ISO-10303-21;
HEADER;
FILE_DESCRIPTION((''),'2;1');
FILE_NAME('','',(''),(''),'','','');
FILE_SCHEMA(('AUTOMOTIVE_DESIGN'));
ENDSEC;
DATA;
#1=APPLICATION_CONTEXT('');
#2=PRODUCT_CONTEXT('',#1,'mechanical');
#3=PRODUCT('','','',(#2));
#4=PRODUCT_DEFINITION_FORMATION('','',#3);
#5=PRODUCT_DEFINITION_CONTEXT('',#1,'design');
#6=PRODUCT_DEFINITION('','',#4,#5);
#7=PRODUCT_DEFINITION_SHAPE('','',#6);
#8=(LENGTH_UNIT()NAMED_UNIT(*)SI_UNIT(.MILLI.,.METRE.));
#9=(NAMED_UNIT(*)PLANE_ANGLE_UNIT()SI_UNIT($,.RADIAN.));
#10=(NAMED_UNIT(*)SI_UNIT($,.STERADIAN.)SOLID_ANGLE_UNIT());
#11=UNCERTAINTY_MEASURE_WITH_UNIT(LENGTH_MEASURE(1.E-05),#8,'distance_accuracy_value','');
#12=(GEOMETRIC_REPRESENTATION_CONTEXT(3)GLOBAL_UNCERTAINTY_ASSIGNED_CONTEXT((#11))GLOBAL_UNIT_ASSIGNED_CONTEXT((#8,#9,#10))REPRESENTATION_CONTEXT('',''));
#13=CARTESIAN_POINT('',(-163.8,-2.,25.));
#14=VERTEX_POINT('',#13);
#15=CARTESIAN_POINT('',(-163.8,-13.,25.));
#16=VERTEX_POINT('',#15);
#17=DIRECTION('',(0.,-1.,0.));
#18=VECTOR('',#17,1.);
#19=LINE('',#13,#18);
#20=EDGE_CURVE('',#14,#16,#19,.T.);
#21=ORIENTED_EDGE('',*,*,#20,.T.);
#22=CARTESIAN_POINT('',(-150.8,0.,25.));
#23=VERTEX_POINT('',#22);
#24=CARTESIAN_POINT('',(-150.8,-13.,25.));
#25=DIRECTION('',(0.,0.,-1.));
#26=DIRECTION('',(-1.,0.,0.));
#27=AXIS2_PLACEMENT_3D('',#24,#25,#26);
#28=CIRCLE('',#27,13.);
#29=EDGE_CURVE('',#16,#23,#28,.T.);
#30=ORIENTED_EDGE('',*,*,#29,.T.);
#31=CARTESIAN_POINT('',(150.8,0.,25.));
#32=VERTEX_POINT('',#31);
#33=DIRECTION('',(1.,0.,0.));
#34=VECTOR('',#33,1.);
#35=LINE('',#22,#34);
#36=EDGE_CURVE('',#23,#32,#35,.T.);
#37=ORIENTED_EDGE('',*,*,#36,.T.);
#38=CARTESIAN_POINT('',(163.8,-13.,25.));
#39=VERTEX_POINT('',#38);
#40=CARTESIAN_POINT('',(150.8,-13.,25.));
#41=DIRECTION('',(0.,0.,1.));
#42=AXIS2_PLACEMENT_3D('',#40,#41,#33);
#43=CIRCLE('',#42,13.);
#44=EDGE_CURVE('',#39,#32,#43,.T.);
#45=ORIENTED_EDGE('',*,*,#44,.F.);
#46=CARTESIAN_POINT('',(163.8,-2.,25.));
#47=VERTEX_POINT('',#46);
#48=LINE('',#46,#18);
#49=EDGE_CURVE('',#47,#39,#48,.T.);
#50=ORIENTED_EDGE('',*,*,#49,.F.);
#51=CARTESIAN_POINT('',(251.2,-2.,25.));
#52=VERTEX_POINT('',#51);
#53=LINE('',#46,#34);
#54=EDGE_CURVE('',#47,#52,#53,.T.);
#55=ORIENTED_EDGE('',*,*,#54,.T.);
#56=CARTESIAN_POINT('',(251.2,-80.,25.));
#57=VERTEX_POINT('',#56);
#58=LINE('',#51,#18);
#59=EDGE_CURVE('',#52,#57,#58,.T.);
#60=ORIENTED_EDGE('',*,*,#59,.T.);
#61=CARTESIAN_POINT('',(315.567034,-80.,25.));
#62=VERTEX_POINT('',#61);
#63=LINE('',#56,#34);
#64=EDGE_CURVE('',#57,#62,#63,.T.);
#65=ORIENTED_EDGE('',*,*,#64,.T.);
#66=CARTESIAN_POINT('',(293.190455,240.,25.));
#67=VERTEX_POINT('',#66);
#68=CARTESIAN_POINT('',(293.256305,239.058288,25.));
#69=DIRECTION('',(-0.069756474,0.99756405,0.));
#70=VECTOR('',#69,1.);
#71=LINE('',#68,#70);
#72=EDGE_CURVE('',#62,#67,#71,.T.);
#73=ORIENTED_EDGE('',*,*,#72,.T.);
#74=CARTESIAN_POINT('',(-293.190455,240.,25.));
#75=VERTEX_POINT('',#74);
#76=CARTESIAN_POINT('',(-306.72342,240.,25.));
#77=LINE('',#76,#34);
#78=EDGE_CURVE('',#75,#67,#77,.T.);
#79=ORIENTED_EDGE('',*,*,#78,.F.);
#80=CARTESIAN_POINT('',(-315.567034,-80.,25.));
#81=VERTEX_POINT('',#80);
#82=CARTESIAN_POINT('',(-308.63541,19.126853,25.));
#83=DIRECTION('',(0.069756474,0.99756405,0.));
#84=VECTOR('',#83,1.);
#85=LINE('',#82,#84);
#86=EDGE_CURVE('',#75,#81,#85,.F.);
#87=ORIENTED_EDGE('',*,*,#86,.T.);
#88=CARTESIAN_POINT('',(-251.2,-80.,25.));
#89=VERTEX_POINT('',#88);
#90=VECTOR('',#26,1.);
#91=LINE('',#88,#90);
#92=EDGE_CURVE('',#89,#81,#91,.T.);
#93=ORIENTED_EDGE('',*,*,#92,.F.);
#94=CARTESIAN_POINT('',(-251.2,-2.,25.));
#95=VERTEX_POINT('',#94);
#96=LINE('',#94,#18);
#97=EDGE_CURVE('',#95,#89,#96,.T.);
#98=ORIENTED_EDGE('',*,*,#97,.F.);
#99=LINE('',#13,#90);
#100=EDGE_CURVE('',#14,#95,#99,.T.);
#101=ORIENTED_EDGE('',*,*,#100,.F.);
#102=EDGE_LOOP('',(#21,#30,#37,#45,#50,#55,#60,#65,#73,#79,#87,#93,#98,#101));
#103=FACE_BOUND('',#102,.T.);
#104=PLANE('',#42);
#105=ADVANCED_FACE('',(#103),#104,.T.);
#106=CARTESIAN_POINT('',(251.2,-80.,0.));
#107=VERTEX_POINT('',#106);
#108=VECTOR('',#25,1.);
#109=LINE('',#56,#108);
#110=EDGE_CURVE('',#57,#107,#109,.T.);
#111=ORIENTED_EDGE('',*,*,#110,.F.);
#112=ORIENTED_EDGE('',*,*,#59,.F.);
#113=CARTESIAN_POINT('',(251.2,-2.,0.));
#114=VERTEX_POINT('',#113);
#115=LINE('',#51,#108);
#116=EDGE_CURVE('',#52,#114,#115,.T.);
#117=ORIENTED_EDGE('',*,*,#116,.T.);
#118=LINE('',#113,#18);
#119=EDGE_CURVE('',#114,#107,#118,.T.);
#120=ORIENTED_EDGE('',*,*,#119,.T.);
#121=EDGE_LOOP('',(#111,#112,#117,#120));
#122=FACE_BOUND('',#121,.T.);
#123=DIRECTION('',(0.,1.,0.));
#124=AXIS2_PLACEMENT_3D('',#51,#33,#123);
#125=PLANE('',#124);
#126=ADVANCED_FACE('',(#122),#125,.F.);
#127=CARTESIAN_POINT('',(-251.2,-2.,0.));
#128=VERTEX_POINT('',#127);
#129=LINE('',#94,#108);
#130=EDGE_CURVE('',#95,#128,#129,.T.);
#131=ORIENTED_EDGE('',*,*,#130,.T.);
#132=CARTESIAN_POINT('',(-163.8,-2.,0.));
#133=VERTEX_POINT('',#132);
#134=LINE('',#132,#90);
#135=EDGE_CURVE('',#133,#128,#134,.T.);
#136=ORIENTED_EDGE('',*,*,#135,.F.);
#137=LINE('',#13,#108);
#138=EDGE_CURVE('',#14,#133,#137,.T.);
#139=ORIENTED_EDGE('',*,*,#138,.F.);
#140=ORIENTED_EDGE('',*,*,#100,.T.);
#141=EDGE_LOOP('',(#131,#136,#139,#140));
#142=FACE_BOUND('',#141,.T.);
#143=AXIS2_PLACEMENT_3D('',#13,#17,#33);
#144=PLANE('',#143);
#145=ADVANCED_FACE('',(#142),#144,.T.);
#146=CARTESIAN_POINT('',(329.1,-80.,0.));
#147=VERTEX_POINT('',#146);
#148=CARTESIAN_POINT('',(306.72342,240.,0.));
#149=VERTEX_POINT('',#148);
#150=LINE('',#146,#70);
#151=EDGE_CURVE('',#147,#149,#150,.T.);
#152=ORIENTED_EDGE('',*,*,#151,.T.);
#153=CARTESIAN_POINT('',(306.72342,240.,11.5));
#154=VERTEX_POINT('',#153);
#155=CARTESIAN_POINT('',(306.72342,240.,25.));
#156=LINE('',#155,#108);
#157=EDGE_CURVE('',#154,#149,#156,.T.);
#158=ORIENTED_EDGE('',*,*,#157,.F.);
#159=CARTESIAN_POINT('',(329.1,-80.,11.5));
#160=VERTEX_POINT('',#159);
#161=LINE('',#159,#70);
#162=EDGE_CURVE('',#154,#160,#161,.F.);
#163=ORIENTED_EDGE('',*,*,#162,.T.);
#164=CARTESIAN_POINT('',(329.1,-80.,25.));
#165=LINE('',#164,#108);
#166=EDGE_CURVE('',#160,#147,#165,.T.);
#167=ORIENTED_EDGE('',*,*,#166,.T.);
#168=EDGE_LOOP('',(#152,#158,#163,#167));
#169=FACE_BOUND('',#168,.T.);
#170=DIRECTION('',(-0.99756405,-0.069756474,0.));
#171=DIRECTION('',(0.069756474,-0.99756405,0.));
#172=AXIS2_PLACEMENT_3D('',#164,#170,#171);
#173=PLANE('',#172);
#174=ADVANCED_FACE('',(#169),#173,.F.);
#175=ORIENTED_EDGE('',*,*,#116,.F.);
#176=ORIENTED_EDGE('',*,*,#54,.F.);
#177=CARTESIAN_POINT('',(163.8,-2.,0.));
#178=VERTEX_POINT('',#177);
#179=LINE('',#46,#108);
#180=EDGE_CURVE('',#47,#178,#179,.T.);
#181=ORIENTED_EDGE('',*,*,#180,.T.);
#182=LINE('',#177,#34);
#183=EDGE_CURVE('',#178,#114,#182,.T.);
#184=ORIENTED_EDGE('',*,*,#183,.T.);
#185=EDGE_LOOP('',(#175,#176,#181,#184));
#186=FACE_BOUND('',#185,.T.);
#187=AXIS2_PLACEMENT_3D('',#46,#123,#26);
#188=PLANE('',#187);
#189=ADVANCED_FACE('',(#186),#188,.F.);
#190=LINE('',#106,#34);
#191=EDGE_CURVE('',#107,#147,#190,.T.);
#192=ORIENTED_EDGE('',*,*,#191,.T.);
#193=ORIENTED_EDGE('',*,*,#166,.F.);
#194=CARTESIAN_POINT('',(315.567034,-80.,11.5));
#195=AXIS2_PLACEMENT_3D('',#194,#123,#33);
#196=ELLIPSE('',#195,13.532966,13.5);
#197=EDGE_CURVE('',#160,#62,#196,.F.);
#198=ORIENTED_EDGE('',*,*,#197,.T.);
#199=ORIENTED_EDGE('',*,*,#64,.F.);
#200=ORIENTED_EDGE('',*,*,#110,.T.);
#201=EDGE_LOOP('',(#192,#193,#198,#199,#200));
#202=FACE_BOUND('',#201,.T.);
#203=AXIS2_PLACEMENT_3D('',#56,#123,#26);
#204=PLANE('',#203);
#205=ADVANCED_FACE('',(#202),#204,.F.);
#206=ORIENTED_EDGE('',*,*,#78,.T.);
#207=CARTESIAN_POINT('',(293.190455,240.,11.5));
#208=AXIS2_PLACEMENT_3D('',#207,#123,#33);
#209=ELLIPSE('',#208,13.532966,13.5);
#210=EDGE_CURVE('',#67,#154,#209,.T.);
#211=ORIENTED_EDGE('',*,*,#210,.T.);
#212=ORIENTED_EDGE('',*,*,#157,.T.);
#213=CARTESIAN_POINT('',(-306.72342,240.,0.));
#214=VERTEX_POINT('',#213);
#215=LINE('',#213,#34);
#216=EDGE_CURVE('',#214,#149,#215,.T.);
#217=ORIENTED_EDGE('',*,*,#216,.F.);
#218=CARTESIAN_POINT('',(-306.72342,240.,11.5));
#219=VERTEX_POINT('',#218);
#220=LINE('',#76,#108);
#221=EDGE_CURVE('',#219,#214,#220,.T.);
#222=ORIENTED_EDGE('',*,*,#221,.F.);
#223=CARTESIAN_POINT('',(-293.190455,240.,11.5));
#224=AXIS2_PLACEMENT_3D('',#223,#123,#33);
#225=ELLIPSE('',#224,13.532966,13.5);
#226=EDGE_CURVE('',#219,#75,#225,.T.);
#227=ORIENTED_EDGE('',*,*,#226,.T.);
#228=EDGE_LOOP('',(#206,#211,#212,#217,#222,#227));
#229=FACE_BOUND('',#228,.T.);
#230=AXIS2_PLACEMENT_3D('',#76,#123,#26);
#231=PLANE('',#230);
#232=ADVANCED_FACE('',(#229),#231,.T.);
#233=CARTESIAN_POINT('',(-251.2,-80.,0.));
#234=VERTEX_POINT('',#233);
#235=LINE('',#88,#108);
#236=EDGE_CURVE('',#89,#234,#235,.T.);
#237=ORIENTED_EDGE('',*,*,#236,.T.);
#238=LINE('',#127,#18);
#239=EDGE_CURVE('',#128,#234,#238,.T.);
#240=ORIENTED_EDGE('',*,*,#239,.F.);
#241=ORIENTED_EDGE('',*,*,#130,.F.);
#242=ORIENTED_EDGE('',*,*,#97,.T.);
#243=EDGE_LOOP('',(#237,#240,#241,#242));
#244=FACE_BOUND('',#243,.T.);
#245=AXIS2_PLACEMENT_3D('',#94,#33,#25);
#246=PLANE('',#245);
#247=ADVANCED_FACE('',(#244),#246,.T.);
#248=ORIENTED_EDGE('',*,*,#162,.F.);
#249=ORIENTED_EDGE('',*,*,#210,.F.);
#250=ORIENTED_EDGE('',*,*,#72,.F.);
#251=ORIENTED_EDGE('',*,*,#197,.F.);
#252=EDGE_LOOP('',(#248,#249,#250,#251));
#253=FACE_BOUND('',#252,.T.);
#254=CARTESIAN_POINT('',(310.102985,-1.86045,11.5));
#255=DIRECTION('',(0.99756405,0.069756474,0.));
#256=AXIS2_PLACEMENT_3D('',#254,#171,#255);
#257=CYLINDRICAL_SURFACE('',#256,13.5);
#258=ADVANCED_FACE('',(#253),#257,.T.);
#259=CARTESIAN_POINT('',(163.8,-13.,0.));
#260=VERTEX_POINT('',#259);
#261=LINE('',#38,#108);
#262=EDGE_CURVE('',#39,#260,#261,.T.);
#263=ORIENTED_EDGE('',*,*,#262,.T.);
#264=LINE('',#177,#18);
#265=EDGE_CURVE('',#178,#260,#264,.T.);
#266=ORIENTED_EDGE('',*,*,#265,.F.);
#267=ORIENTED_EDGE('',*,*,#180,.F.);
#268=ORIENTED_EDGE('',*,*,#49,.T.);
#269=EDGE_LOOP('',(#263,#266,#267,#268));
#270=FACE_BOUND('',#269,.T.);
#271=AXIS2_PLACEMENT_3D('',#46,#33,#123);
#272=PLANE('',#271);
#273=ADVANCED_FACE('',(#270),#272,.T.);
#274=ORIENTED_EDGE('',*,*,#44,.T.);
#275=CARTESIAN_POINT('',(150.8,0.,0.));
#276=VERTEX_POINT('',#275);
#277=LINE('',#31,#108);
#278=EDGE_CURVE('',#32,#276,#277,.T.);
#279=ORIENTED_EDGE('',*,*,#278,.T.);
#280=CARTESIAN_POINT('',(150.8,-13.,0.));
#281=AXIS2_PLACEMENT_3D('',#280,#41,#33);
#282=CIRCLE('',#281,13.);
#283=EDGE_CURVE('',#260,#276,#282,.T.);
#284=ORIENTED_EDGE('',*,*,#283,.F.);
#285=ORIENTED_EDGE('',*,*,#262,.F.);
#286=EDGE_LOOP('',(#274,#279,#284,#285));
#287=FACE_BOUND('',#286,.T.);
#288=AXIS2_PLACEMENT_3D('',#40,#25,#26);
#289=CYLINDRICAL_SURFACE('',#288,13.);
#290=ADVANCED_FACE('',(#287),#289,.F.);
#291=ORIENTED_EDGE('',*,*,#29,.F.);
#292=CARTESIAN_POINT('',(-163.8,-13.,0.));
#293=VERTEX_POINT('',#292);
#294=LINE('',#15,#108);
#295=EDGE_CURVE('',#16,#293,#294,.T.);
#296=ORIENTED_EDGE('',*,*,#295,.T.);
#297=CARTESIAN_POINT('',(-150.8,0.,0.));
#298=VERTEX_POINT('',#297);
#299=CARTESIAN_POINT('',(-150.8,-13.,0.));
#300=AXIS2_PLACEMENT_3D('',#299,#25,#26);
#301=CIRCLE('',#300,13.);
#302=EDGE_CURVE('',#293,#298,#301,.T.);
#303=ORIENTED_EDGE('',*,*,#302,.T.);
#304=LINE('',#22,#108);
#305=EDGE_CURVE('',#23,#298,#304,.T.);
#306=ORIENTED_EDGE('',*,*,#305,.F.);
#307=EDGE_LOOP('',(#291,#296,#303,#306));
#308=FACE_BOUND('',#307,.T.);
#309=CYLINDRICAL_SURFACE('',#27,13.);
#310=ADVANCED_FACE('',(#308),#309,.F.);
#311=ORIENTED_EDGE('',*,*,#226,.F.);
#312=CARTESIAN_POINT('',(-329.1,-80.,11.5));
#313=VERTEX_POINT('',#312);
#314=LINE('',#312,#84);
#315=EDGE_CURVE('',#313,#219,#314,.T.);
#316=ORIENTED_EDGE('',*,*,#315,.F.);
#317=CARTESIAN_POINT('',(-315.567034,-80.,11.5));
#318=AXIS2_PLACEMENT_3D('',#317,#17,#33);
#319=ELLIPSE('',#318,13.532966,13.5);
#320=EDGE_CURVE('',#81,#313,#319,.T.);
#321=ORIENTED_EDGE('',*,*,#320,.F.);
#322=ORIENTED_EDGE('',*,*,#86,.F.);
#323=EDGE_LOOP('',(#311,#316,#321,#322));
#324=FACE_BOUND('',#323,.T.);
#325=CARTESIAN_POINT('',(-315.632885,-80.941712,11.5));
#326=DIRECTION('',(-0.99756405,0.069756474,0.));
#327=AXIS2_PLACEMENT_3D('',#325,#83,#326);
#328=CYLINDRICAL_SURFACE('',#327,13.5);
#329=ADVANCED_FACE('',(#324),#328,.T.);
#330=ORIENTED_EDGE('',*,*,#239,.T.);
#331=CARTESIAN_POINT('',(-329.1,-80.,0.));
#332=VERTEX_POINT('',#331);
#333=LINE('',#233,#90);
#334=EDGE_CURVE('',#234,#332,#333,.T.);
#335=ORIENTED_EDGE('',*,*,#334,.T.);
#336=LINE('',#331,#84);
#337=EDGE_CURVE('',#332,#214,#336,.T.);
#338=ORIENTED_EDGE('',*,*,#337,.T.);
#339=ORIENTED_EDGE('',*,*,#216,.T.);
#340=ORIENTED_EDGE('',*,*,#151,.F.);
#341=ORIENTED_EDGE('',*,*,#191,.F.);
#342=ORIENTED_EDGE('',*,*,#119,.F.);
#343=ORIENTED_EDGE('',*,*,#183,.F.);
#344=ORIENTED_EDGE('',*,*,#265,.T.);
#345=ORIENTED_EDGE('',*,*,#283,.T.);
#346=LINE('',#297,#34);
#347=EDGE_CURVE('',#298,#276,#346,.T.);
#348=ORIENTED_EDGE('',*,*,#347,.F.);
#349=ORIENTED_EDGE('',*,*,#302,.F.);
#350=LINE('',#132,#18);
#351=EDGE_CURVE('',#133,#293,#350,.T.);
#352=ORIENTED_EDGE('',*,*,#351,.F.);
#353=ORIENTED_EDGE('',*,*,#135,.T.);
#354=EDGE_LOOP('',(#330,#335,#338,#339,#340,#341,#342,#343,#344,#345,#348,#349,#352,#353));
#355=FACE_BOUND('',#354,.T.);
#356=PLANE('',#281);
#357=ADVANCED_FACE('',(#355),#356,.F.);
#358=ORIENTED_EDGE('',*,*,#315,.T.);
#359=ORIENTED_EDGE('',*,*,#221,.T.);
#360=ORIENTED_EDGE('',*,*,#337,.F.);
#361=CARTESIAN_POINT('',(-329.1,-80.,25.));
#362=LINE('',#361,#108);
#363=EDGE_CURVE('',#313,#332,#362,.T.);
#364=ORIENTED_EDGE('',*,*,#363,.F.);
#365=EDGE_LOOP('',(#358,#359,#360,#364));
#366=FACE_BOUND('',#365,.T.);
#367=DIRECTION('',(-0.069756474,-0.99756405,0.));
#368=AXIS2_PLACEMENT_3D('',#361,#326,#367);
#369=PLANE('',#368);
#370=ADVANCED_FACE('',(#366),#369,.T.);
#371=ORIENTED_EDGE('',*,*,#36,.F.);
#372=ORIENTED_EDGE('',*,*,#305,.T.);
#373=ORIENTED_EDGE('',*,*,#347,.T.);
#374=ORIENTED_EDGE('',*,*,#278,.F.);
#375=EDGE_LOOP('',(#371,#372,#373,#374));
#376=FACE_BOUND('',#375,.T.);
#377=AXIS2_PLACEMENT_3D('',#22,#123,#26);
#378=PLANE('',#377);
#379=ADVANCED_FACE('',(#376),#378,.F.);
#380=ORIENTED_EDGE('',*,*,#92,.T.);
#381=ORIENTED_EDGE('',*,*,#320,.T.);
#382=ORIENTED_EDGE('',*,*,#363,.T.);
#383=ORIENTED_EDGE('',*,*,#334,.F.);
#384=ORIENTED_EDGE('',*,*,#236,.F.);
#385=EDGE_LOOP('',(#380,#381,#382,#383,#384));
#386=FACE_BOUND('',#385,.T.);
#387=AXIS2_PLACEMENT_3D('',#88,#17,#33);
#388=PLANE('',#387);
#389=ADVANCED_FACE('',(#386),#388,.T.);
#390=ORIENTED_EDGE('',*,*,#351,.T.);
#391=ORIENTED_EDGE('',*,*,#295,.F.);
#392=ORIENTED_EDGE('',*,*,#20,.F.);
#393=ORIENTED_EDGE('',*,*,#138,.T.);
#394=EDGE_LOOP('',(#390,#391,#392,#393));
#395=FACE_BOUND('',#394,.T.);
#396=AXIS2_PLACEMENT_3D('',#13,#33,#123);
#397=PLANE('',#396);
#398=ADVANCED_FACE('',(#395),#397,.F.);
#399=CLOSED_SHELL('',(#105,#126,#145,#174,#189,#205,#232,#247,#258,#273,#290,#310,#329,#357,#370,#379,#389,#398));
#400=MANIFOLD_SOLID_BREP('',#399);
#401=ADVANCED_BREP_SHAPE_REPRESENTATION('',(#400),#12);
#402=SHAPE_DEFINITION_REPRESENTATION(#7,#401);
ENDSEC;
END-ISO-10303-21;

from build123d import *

# Parameters (mm, degrees)
BOSS_EXTRUDE1_DEPTH = 25
FILLET1_R           = 13.5


with BuildPart() as part:
    # Sketch1 → Boss-Extrude1 (new body)
    with BuildSketch(Plane.XY):
        with BuildLine():
            Line((-251.2, -2), (-251.2, -80))
            Line((-251.2, -80), (-329.1, -80))
            Line((-329.1, -80), (-306.723420178, 240))
            Line((-306.723420178, 240), (306.723420178, 240))
            Line((306.723420178, 240), (329.1, -80))
            Line((329.1, -80), (251.2, -80))
            Line((251.2, -80), (251.2, -2))
            Line((251.2, -2), (163.8, -2))
            Line((163.8, -2), (163.8, -13))
            ThreePointArc((163.8, -13), (159.992388155, -3.807611845), (150.8, 0))
            Line((150.8, 0), (-150.8, 0))
            ThreePointArc((-150.8, 0), (-159.992388155, -3.807611845), (-163.8, -13))
            Line((-163.8, -13), (-163.8, -2))
            Line((-163.8, -2), (-251.2, -2))
        make_face()
    extrude(amount=BOSS_EXTRUDE1_DEPTH)

    # Fillet1
    fillet1_edges = [part.edges().sort_by_distance(p)[0] for p in [
        (317.911710089, 80, 25),
        (-317.911710089, 80, 25),
    ]]
    fillet(fillet1_edges, radius=FILLET1_R)


solid = part.part
